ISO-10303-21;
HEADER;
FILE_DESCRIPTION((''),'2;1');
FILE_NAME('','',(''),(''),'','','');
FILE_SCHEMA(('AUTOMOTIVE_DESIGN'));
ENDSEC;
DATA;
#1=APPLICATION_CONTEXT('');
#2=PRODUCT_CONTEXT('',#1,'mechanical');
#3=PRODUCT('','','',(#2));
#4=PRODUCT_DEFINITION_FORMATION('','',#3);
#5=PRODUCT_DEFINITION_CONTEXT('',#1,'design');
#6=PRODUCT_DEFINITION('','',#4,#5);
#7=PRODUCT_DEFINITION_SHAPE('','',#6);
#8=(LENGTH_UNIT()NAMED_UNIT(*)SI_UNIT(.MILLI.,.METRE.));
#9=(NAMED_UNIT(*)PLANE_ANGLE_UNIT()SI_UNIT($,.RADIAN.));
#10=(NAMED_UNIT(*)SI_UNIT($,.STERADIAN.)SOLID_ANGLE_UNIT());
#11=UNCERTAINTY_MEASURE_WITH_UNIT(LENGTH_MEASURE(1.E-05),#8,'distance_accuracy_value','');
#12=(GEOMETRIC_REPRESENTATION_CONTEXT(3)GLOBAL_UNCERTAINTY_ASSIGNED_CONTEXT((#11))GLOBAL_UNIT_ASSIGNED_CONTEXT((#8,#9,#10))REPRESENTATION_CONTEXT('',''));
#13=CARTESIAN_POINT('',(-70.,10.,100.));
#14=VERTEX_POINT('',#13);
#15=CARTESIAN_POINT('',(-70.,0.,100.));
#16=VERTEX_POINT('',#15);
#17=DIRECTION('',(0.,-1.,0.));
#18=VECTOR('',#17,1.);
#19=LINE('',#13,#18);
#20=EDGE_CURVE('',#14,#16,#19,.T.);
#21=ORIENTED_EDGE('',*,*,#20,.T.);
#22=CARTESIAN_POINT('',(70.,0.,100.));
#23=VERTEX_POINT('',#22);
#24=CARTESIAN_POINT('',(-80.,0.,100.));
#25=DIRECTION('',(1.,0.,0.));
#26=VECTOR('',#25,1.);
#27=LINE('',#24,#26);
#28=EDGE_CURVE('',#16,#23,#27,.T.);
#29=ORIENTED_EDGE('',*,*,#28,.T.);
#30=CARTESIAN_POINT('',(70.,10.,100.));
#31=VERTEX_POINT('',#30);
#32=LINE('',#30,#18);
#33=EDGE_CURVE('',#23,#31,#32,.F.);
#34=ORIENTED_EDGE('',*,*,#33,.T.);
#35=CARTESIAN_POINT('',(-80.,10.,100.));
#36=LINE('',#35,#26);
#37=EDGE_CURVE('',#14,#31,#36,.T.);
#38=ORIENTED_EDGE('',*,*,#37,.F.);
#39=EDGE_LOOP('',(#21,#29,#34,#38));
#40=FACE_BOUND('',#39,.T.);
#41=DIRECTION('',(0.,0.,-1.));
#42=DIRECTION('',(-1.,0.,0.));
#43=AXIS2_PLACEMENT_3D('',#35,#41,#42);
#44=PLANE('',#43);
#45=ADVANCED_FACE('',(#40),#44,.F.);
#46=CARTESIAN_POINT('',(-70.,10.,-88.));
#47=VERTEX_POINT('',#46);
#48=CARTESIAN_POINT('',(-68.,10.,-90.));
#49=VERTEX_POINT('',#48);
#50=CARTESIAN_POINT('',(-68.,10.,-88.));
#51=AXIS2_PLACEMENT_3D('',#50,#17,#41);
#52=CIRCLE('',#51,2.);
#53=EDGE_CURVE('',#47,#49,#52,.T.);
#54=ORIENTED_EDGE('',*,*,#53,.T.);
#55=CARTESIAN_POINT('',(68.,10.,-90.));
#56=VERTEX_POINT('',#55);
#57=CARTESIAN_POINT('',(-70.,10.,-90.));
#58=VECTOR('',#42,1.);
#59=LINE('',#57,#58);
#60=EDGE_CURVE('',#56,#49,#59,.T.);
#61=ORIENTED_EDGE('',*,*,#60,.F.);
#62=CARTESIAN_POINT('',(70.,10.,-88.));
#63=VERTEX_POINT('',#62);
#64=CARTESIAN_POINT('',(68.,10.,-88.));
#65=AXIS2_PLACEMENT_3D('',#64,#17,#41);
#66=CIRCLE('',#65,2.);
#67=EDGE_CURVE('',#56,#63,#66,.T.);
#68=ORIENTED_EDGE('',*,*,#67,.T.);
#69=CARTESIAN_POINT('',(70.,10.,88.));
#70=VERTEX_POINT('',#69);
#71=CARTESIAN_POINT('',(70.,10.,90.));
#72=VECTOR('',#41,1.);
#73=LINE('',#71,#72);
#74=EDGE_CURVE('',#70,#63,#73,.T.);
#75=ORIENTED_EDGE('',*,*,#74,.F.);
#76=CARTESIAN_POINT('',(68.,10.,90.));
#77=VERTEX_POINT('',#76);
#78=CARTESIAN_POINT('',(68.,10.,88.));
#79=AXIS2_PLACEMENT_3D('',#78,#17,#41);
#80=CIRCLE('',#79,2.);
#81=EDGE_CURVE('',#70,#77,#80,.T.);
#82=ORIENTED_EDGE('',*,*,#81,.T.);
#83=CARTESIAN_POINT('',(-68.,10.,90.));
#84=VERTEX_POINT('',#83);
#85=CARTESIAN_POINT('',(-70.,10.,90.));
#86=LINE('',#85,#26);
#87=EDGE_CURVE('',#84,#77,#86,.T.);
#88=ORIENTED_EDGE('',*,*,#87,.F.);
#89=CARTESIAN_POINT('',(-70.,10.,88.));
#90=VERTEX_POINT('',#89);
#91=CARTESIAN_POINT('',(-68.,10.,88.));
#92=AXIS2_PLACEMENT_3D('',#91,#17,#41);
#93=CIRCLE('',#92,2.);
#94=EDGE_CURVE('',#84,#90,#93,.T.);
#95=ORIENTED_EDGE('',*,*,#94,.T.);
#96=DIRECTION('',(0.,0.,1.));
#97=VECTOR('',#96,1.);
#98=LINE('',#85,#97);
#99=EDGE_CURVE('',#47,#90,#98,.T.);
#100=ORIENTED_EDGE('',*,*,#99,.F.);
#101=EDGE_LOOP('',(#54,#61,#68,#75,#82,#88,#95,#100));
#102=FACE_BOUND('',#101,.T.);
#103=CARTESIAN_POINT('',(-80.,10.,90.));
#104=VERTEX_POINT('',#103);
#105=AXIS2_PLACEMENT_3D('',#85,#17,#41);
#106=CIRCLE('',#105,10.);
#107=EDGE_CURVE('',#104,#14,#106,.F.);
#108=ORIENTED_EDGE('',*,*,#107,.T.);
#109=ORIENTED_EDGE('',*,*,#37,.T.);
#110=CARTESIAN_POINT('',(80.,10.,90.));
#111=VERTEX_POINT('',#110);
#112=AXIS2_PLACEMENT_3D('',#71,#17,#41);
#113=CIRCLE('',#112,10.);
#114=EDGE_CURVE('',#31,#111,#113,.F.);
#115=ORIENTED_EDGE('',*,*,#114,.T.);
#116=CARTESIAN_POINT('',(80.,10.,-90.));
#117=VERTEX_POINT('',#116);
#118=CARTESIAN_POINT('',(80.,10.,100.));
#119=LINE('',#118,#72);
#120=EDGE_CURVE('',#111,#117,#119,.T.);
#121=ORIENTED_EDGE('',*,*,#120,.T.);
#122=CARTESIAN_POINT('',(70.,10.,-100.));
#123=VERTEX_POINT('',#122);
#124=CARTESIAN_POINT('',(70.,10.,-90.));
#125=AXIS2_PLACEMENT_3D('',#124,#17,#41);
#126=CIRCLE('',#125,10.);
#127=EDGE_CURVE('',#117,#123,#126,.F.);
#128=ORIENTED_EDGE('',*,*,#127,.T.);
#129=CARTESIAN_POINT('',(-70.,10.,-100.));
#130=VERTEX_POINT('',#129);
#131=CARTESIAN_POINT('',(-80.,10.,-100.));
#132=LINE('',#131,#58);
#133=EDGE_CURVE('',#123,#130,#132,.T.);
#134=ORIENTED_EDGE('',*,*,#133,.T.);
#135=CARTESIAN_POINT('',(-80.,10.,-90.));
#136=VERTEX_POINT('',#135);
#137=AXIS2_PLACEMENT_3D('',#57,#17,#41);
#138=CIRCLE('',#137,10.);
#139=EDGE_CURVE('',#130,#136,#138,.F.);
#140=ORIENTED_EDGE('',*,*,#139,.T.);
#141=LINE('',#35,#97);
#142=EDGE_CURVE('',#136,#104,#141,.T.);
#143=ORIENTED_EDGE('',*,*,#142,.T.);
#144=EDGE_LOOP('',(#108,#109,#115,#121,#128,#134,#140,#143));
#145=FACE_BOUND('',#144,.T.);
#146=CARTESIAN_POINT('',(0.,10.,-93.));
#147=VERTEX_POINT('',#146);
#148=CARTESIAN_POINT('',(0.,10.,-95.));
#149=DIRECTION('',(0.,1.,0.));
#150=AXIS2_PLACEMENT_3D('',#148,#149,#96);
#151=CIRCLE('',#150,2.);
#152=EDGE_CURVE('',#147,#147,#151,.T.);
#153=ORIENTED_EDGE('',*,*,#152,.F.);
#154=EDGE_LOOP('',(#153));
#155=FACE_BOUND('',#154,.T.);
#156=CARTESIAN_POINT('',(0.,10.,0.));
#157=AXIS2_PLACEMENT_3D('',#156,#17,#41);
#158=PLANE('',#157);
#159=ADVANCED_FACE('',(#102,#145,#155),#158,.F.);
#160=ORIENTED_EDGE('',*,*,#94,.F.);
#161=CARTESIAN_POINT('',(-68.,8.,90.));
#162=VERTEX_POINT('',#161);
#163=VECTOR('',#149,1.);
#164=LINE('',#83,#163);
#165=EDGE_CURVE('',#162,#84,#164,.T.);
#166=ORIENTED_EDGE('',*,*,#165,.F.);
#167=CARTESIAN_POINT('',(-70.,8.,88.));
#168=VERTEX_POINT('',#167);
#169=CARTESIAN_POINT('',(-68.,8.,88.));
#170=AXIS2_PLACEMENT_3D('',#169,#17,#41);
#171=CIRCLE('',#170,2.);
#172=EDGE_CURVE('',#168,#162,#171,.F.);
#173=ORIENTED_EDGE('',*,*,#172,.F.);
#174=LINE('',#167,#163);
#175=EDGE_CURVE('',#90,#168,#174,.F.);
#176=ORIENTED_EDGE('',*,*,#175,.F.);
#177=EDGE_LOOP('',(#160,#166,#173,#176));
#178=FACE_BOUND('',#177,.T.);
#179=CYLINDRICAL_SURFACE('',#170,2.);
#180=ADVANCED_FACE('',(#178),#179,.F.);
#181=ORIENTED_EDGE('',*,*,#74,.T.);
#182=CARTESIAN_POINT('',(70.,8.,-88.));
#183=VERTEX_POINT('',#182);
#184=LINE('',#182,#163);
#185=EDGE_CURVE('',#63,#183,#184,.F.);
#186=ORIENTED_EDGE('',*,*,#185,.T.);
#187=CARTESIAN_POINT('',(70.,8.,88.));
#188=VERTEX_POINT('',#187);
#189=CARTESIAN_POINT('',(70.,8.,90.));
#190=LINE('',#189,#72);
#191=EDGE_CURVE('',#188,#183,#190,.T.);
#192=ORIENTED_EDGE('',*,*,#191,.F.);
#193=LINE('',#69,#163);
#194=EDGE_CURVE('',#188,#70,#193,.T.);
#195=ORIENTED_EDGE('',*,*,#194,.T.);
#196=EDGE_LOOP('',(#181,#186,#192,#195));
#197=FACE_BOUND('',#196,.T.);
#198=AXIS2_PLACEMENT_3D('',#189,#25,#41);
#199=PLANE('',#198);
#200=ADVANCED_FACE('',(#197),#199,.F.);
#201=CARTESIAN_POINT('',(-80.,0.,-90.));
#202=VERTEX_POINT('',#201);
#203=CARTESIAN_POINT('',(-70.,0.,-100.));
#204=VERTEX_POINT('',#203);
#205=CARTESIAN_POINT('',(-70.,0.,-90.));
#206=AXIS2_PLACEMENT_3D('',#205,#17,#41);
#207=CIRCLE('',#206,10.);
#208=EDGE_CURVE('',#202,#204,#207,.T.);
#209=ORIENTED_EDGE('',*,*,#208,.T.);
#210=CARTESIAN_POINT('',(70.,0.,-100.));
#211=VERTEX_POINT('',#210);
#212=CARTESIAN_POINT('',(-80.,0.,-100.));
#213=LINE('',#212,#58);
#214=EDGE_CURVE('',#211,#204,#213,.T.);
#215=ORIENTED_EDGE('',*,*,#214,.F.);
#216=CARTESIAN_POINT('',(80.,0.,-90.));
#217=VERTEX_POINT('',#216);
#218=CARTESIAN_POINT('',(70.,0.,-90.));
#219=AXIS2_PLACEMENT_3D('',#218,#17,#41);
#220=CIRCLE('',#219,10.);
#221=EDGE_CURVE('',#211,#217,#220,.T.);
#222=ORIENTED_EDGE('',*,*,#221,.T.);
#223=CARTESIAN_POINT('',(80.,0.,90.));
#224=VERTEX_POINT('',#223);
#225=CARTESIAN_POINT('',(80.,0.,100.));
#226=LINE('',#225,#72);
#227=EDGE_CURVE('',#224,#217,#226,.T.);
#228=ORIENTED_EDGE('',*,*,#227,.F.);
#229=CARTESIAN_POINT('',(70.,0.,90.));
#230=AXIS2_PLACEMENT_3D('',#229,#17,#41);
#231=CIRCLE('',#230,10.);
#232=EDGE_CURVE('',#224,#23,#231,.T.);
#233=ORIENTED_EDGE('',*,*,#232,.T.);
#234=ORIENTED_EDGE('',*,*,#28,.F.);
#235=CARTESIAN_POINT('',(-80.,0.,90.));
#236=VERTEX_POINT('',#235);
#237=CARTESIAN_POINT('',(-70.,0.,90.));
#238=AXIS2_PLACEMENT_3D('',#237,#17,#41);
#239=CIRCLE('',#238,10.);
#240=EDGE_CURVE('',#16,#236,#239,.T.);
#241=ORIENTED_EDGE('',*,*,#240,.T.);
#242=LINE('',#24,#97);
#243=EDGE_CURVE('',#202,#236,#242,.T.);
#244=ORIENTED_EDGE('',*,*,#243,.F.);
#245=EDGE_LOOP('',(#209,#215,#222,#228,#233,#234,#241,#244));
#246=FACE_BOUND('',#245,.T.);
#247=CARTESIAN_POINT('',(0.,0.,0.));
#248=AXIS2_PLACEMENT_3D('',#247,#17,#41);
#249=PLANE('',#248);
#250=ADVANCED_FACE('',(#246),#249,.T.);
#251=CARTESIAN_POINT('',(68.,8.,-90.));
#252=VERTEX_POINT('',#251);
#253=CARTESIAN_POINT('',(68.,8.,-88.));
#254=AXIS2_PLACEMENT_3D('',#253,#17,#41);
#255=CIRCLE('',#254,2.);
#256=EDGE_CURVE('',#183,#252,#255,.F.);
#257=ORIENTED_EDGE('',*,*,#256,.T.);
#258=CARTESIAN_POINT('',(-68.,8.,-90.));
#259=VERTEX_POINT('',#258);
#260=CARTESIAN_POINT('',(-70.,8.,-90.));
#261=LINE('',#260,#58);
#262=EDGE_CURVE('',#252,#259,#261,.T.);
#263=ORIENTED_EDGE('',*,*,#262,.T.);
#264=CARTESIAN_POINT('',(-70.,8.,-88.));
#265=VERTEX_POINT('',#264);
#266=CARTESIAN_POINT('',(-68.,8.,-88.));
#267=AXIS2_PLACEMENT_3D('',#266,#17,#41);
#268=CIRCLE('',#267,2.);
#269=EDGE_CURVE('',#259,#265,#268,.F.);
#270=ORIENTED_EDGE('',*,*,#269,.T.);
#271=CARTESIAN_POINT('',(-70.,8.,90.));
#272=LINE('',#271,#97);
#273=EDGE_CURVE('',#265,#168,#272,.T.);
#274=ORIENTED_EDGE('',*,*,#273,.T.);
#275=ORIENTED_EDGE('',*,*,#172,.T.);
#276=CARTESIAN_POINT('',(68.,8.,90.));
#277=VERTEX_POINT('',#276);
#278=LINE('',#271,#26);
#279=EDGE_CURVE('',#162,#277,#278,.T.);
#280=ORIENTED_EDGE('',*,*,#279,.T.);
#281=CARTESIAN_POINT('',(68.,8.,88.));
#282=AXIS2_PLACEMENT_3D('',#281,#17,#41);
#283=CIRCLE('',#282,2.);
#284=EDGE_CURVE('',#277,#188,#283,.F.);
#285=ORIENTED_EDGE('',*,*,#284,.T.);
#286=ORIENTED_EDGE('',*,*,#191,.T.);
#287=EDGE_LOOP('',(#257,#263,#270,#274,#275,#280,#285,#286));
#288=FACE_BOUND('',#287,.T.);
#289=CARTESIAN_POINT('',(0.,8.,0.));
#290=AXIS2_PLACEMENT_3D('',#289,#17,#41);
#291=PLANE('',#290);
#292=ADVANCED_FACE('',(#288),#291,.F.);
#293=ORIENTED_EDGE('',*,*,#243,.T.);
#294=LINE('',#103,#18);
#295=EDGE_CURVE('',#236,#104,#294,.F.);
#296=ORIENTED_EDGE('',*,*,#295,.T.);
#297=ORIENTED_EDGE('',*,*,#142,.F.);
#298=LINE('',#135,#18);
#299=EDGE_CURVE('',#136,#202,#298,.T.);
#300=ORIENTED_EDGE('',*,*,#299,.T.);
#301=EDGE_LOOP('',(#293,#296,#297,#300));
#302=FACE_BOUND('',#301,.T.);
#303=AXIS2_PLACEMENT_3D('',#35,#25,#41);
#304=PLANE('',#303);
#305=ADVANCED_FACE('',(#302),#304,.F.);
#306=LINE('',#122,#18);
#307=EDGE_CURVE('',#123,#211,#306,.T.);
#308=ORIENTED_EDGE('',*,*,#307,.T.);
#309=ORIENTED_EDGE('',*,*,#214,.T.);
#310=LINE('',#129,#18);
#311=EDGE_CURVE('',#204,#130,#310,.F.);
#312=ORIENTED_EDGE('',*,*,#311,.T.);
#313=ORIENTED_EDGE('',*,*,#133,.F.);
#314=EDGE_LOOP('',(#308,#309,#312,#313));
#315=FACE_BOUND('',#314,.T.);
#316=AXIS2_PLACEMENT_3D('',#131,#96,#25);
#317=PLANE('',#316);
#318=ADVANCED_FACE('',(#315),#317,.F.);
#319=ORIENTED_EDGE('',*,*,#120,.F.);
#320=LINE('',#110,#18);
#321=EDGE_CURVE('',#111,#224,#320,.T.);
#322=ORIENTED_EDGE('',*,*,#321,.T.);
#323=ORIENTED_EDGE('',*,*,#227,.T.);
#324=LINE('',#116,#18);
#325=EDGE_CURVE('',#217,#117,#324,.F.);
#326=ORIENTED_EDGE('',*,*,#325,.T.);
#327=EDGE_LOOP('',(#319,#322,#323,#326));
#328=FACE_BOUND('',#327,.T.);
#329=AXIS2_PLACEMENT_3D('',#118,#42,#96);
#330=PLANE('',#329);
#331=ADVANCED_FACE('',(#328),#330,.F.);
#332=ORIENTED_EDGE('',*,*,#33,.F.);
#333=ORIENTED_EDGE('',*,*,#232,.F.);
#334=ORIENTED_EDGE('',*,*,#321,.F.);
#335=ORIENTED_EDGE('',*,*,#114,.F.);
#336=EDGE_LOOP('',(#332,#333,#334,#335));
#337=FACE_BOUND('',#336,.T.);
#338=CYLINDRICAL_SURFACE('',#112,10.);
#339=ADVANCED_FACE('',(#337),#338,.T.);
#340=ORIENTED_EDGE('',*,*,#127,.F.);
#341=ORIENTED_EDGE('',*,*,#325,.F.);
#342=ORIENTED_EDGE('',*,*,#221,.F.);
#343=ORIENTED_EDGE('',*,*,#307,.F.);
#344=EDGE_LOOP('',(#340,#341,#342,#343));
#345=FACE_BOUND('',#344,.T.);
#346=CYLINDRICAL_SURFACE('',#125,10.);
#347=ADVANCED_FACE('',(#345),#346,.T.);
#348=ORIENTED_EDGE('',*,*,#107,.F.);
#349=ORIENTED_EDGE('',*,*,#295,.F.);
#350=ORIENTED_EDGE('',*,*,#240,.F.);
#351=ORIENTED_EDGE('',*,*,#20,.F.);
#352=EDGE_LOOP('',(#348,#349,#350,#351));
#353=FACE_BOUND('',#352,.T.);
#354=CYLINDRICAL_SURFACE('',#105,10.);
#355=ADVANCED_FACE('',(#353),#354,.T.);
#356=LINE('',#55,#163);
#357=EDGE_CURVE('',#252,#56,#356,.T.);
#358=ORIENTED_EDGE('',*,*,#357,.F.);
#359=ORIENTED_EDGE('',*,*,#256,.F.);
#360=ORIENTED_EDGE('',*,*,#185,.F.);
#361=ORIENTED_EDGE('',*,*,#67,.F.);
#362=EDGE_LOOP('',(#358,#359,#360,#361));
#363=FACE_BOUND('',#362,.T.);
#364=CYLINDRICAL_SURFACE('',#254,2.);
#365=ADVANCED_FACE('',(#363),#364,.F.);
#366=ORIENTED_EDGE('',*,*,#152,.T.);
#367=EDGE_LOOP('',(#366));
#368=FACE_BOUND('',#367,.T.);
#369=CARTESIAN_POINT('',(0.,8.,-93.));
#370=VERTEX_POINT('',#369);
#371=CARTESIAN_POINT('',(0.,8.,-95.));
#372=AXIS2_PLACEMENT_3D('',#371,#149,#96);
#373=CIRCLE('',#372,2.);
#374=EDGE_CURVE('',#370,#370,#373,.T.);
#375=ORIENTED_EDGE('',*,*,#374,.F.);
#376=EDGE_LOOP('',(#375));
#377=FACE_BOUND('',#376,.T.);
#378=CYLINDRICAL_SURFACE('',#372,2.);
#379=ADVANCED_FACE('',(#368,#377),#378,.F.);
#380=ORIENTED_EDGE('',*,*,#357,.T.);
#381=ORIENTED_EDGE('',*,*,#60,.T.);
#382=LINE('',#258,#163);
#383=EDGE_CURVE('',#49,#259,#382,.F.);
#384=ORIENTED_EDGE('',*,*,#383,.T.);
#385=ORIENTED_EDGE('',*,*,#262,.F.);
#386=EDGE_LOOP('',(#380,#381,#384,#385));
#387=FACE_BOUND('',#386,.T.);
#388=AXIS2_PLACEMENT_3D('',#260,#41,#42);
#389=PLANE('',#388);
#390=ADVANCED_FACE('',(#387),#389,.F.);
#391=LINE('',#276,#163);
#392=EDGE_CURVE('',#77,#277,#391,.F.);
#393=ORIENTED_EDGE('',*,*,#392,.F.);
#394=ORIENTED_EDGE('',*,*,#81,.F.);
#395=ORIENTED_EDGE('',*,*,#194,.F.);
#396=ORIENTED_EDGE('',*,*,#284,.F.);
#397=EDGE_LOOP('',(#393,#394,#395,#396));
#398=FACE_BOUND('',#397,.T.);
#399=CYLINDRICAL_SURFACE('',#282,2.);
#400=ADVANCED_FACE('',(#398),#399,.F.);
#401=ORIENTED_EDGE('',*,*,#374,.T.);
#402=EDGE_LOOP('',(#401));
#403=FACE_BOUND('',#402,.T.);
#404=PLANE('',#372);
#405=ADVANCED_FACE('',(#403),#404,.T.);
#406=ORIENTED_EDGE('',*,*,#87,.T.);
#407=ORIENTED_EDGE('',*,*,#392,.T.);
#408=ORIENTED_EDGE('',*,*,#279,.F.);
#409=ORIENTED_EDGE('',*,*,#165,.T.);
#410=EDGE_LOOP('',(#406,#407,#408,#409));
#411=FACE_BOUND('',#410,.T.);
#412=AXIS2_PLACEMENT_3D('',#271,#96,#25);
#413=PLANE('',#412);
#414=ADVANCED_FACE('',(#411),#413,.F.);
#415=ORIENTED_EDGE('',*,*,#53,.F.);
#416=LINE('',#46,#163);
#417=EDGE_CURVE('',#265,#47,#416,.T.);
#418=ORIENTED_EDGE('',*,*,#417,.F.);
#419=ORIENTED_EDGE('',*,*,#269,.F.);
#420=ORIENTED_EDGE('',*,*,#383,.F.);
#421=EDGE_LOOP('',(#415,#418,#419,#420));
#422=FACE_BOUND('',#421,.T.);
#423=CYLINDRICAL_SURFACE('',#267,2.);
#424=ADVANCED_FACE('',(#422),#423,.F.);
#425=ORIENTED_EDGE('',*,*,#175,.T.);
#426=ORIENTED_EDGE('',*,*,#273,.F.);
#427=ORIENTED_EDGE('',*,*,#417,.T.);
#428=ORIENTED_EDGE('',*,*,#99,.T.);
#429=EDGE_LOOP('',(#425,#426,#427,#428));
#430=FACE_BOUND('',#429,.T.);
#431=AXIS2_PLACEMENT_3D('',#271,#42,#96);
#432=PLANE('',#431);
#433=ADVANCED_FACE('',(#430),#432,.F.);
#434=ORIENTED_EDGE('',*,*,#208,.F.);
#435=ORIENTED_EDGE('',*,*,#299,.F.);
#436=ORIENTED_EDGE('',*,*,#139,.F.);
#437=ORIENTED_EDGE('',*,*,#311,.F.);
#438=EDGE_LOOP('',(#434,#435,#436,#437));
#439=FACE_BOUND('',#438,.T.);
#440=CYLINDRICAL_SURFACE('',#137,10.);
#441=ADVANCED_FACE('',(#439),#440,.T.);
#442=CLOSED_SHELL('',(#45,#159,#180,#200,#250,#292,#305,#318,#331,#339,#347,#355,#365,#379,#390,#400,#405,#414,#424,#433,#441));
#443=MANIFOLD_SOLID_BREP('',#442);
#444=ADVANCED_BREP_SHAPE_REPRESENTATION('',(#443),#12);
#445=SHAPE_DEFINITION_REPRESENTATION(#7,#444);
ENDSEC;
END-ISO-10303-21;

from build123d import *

# Parameters (mm, degrees)
SKETCH_1_W          = 160
SKETCH_1_H          = 200
EXTRUDE_1_DEPTH     = 10
SKETCH_2_R          = 2
SKETCH_2_W          = 140
SKETCH_2_H          = 180
CUT_EXTRUDE_1_DEPTH = 2
FILLET_1_R          = 10
FILLET_2_R          = 2


with BuildPart() as part:
    # 草图1 → 凸台-拉伸1 (new body)
    with BuildSketch(Plane(origin=(0, 0, 0), x_dir=(1, 0, 0), z_dir=(0, 1, 0))):
        Rectangle(SKETCH_1_W, SKETCH_1_H)
    extrude(amount=EXTRUDE_1_DEPTH)

    # 草图2 → 切除-拉伸1 (cut)
    with BuildSketch(Plane(origin=(0, 10, 0), x_dir=(1, 0, 0), z_dir=(0, 1, 0))):
        with Locations(Location((0, 95, 0), (0, 0, 270))):
            Circle(SKETCH_2_R)
        Rectangle(SKETCH_2_W, SKETCH_2_H)
    extrude(amount=-CUT_EXTRUDE_1_DEPTH, mode=Mode.SUBTRACT)

    # 圆角1
    fillet_1_edges = [part.edges().sort_by_distance(p)[0] for p in [
        (-80, 5, -100),
        (80, 5, -100),
        (80, 5, 100),
        (-80, 5, 100),
    ]]
    fillet(fillet_1_edges, radius=FILLET_1_R)

    # 圆角2
    fillet_2_edges = [part.edges().sort_by_distance(p)[0] for p in [
        (-70, 9, 90),
        (-70, 9, -90),
        (70, 9, -90),
        (70, 9, 90),
    ]]
    fillet(fillet_2_edges, radius=FILLET_2_R)


solid = part.part
